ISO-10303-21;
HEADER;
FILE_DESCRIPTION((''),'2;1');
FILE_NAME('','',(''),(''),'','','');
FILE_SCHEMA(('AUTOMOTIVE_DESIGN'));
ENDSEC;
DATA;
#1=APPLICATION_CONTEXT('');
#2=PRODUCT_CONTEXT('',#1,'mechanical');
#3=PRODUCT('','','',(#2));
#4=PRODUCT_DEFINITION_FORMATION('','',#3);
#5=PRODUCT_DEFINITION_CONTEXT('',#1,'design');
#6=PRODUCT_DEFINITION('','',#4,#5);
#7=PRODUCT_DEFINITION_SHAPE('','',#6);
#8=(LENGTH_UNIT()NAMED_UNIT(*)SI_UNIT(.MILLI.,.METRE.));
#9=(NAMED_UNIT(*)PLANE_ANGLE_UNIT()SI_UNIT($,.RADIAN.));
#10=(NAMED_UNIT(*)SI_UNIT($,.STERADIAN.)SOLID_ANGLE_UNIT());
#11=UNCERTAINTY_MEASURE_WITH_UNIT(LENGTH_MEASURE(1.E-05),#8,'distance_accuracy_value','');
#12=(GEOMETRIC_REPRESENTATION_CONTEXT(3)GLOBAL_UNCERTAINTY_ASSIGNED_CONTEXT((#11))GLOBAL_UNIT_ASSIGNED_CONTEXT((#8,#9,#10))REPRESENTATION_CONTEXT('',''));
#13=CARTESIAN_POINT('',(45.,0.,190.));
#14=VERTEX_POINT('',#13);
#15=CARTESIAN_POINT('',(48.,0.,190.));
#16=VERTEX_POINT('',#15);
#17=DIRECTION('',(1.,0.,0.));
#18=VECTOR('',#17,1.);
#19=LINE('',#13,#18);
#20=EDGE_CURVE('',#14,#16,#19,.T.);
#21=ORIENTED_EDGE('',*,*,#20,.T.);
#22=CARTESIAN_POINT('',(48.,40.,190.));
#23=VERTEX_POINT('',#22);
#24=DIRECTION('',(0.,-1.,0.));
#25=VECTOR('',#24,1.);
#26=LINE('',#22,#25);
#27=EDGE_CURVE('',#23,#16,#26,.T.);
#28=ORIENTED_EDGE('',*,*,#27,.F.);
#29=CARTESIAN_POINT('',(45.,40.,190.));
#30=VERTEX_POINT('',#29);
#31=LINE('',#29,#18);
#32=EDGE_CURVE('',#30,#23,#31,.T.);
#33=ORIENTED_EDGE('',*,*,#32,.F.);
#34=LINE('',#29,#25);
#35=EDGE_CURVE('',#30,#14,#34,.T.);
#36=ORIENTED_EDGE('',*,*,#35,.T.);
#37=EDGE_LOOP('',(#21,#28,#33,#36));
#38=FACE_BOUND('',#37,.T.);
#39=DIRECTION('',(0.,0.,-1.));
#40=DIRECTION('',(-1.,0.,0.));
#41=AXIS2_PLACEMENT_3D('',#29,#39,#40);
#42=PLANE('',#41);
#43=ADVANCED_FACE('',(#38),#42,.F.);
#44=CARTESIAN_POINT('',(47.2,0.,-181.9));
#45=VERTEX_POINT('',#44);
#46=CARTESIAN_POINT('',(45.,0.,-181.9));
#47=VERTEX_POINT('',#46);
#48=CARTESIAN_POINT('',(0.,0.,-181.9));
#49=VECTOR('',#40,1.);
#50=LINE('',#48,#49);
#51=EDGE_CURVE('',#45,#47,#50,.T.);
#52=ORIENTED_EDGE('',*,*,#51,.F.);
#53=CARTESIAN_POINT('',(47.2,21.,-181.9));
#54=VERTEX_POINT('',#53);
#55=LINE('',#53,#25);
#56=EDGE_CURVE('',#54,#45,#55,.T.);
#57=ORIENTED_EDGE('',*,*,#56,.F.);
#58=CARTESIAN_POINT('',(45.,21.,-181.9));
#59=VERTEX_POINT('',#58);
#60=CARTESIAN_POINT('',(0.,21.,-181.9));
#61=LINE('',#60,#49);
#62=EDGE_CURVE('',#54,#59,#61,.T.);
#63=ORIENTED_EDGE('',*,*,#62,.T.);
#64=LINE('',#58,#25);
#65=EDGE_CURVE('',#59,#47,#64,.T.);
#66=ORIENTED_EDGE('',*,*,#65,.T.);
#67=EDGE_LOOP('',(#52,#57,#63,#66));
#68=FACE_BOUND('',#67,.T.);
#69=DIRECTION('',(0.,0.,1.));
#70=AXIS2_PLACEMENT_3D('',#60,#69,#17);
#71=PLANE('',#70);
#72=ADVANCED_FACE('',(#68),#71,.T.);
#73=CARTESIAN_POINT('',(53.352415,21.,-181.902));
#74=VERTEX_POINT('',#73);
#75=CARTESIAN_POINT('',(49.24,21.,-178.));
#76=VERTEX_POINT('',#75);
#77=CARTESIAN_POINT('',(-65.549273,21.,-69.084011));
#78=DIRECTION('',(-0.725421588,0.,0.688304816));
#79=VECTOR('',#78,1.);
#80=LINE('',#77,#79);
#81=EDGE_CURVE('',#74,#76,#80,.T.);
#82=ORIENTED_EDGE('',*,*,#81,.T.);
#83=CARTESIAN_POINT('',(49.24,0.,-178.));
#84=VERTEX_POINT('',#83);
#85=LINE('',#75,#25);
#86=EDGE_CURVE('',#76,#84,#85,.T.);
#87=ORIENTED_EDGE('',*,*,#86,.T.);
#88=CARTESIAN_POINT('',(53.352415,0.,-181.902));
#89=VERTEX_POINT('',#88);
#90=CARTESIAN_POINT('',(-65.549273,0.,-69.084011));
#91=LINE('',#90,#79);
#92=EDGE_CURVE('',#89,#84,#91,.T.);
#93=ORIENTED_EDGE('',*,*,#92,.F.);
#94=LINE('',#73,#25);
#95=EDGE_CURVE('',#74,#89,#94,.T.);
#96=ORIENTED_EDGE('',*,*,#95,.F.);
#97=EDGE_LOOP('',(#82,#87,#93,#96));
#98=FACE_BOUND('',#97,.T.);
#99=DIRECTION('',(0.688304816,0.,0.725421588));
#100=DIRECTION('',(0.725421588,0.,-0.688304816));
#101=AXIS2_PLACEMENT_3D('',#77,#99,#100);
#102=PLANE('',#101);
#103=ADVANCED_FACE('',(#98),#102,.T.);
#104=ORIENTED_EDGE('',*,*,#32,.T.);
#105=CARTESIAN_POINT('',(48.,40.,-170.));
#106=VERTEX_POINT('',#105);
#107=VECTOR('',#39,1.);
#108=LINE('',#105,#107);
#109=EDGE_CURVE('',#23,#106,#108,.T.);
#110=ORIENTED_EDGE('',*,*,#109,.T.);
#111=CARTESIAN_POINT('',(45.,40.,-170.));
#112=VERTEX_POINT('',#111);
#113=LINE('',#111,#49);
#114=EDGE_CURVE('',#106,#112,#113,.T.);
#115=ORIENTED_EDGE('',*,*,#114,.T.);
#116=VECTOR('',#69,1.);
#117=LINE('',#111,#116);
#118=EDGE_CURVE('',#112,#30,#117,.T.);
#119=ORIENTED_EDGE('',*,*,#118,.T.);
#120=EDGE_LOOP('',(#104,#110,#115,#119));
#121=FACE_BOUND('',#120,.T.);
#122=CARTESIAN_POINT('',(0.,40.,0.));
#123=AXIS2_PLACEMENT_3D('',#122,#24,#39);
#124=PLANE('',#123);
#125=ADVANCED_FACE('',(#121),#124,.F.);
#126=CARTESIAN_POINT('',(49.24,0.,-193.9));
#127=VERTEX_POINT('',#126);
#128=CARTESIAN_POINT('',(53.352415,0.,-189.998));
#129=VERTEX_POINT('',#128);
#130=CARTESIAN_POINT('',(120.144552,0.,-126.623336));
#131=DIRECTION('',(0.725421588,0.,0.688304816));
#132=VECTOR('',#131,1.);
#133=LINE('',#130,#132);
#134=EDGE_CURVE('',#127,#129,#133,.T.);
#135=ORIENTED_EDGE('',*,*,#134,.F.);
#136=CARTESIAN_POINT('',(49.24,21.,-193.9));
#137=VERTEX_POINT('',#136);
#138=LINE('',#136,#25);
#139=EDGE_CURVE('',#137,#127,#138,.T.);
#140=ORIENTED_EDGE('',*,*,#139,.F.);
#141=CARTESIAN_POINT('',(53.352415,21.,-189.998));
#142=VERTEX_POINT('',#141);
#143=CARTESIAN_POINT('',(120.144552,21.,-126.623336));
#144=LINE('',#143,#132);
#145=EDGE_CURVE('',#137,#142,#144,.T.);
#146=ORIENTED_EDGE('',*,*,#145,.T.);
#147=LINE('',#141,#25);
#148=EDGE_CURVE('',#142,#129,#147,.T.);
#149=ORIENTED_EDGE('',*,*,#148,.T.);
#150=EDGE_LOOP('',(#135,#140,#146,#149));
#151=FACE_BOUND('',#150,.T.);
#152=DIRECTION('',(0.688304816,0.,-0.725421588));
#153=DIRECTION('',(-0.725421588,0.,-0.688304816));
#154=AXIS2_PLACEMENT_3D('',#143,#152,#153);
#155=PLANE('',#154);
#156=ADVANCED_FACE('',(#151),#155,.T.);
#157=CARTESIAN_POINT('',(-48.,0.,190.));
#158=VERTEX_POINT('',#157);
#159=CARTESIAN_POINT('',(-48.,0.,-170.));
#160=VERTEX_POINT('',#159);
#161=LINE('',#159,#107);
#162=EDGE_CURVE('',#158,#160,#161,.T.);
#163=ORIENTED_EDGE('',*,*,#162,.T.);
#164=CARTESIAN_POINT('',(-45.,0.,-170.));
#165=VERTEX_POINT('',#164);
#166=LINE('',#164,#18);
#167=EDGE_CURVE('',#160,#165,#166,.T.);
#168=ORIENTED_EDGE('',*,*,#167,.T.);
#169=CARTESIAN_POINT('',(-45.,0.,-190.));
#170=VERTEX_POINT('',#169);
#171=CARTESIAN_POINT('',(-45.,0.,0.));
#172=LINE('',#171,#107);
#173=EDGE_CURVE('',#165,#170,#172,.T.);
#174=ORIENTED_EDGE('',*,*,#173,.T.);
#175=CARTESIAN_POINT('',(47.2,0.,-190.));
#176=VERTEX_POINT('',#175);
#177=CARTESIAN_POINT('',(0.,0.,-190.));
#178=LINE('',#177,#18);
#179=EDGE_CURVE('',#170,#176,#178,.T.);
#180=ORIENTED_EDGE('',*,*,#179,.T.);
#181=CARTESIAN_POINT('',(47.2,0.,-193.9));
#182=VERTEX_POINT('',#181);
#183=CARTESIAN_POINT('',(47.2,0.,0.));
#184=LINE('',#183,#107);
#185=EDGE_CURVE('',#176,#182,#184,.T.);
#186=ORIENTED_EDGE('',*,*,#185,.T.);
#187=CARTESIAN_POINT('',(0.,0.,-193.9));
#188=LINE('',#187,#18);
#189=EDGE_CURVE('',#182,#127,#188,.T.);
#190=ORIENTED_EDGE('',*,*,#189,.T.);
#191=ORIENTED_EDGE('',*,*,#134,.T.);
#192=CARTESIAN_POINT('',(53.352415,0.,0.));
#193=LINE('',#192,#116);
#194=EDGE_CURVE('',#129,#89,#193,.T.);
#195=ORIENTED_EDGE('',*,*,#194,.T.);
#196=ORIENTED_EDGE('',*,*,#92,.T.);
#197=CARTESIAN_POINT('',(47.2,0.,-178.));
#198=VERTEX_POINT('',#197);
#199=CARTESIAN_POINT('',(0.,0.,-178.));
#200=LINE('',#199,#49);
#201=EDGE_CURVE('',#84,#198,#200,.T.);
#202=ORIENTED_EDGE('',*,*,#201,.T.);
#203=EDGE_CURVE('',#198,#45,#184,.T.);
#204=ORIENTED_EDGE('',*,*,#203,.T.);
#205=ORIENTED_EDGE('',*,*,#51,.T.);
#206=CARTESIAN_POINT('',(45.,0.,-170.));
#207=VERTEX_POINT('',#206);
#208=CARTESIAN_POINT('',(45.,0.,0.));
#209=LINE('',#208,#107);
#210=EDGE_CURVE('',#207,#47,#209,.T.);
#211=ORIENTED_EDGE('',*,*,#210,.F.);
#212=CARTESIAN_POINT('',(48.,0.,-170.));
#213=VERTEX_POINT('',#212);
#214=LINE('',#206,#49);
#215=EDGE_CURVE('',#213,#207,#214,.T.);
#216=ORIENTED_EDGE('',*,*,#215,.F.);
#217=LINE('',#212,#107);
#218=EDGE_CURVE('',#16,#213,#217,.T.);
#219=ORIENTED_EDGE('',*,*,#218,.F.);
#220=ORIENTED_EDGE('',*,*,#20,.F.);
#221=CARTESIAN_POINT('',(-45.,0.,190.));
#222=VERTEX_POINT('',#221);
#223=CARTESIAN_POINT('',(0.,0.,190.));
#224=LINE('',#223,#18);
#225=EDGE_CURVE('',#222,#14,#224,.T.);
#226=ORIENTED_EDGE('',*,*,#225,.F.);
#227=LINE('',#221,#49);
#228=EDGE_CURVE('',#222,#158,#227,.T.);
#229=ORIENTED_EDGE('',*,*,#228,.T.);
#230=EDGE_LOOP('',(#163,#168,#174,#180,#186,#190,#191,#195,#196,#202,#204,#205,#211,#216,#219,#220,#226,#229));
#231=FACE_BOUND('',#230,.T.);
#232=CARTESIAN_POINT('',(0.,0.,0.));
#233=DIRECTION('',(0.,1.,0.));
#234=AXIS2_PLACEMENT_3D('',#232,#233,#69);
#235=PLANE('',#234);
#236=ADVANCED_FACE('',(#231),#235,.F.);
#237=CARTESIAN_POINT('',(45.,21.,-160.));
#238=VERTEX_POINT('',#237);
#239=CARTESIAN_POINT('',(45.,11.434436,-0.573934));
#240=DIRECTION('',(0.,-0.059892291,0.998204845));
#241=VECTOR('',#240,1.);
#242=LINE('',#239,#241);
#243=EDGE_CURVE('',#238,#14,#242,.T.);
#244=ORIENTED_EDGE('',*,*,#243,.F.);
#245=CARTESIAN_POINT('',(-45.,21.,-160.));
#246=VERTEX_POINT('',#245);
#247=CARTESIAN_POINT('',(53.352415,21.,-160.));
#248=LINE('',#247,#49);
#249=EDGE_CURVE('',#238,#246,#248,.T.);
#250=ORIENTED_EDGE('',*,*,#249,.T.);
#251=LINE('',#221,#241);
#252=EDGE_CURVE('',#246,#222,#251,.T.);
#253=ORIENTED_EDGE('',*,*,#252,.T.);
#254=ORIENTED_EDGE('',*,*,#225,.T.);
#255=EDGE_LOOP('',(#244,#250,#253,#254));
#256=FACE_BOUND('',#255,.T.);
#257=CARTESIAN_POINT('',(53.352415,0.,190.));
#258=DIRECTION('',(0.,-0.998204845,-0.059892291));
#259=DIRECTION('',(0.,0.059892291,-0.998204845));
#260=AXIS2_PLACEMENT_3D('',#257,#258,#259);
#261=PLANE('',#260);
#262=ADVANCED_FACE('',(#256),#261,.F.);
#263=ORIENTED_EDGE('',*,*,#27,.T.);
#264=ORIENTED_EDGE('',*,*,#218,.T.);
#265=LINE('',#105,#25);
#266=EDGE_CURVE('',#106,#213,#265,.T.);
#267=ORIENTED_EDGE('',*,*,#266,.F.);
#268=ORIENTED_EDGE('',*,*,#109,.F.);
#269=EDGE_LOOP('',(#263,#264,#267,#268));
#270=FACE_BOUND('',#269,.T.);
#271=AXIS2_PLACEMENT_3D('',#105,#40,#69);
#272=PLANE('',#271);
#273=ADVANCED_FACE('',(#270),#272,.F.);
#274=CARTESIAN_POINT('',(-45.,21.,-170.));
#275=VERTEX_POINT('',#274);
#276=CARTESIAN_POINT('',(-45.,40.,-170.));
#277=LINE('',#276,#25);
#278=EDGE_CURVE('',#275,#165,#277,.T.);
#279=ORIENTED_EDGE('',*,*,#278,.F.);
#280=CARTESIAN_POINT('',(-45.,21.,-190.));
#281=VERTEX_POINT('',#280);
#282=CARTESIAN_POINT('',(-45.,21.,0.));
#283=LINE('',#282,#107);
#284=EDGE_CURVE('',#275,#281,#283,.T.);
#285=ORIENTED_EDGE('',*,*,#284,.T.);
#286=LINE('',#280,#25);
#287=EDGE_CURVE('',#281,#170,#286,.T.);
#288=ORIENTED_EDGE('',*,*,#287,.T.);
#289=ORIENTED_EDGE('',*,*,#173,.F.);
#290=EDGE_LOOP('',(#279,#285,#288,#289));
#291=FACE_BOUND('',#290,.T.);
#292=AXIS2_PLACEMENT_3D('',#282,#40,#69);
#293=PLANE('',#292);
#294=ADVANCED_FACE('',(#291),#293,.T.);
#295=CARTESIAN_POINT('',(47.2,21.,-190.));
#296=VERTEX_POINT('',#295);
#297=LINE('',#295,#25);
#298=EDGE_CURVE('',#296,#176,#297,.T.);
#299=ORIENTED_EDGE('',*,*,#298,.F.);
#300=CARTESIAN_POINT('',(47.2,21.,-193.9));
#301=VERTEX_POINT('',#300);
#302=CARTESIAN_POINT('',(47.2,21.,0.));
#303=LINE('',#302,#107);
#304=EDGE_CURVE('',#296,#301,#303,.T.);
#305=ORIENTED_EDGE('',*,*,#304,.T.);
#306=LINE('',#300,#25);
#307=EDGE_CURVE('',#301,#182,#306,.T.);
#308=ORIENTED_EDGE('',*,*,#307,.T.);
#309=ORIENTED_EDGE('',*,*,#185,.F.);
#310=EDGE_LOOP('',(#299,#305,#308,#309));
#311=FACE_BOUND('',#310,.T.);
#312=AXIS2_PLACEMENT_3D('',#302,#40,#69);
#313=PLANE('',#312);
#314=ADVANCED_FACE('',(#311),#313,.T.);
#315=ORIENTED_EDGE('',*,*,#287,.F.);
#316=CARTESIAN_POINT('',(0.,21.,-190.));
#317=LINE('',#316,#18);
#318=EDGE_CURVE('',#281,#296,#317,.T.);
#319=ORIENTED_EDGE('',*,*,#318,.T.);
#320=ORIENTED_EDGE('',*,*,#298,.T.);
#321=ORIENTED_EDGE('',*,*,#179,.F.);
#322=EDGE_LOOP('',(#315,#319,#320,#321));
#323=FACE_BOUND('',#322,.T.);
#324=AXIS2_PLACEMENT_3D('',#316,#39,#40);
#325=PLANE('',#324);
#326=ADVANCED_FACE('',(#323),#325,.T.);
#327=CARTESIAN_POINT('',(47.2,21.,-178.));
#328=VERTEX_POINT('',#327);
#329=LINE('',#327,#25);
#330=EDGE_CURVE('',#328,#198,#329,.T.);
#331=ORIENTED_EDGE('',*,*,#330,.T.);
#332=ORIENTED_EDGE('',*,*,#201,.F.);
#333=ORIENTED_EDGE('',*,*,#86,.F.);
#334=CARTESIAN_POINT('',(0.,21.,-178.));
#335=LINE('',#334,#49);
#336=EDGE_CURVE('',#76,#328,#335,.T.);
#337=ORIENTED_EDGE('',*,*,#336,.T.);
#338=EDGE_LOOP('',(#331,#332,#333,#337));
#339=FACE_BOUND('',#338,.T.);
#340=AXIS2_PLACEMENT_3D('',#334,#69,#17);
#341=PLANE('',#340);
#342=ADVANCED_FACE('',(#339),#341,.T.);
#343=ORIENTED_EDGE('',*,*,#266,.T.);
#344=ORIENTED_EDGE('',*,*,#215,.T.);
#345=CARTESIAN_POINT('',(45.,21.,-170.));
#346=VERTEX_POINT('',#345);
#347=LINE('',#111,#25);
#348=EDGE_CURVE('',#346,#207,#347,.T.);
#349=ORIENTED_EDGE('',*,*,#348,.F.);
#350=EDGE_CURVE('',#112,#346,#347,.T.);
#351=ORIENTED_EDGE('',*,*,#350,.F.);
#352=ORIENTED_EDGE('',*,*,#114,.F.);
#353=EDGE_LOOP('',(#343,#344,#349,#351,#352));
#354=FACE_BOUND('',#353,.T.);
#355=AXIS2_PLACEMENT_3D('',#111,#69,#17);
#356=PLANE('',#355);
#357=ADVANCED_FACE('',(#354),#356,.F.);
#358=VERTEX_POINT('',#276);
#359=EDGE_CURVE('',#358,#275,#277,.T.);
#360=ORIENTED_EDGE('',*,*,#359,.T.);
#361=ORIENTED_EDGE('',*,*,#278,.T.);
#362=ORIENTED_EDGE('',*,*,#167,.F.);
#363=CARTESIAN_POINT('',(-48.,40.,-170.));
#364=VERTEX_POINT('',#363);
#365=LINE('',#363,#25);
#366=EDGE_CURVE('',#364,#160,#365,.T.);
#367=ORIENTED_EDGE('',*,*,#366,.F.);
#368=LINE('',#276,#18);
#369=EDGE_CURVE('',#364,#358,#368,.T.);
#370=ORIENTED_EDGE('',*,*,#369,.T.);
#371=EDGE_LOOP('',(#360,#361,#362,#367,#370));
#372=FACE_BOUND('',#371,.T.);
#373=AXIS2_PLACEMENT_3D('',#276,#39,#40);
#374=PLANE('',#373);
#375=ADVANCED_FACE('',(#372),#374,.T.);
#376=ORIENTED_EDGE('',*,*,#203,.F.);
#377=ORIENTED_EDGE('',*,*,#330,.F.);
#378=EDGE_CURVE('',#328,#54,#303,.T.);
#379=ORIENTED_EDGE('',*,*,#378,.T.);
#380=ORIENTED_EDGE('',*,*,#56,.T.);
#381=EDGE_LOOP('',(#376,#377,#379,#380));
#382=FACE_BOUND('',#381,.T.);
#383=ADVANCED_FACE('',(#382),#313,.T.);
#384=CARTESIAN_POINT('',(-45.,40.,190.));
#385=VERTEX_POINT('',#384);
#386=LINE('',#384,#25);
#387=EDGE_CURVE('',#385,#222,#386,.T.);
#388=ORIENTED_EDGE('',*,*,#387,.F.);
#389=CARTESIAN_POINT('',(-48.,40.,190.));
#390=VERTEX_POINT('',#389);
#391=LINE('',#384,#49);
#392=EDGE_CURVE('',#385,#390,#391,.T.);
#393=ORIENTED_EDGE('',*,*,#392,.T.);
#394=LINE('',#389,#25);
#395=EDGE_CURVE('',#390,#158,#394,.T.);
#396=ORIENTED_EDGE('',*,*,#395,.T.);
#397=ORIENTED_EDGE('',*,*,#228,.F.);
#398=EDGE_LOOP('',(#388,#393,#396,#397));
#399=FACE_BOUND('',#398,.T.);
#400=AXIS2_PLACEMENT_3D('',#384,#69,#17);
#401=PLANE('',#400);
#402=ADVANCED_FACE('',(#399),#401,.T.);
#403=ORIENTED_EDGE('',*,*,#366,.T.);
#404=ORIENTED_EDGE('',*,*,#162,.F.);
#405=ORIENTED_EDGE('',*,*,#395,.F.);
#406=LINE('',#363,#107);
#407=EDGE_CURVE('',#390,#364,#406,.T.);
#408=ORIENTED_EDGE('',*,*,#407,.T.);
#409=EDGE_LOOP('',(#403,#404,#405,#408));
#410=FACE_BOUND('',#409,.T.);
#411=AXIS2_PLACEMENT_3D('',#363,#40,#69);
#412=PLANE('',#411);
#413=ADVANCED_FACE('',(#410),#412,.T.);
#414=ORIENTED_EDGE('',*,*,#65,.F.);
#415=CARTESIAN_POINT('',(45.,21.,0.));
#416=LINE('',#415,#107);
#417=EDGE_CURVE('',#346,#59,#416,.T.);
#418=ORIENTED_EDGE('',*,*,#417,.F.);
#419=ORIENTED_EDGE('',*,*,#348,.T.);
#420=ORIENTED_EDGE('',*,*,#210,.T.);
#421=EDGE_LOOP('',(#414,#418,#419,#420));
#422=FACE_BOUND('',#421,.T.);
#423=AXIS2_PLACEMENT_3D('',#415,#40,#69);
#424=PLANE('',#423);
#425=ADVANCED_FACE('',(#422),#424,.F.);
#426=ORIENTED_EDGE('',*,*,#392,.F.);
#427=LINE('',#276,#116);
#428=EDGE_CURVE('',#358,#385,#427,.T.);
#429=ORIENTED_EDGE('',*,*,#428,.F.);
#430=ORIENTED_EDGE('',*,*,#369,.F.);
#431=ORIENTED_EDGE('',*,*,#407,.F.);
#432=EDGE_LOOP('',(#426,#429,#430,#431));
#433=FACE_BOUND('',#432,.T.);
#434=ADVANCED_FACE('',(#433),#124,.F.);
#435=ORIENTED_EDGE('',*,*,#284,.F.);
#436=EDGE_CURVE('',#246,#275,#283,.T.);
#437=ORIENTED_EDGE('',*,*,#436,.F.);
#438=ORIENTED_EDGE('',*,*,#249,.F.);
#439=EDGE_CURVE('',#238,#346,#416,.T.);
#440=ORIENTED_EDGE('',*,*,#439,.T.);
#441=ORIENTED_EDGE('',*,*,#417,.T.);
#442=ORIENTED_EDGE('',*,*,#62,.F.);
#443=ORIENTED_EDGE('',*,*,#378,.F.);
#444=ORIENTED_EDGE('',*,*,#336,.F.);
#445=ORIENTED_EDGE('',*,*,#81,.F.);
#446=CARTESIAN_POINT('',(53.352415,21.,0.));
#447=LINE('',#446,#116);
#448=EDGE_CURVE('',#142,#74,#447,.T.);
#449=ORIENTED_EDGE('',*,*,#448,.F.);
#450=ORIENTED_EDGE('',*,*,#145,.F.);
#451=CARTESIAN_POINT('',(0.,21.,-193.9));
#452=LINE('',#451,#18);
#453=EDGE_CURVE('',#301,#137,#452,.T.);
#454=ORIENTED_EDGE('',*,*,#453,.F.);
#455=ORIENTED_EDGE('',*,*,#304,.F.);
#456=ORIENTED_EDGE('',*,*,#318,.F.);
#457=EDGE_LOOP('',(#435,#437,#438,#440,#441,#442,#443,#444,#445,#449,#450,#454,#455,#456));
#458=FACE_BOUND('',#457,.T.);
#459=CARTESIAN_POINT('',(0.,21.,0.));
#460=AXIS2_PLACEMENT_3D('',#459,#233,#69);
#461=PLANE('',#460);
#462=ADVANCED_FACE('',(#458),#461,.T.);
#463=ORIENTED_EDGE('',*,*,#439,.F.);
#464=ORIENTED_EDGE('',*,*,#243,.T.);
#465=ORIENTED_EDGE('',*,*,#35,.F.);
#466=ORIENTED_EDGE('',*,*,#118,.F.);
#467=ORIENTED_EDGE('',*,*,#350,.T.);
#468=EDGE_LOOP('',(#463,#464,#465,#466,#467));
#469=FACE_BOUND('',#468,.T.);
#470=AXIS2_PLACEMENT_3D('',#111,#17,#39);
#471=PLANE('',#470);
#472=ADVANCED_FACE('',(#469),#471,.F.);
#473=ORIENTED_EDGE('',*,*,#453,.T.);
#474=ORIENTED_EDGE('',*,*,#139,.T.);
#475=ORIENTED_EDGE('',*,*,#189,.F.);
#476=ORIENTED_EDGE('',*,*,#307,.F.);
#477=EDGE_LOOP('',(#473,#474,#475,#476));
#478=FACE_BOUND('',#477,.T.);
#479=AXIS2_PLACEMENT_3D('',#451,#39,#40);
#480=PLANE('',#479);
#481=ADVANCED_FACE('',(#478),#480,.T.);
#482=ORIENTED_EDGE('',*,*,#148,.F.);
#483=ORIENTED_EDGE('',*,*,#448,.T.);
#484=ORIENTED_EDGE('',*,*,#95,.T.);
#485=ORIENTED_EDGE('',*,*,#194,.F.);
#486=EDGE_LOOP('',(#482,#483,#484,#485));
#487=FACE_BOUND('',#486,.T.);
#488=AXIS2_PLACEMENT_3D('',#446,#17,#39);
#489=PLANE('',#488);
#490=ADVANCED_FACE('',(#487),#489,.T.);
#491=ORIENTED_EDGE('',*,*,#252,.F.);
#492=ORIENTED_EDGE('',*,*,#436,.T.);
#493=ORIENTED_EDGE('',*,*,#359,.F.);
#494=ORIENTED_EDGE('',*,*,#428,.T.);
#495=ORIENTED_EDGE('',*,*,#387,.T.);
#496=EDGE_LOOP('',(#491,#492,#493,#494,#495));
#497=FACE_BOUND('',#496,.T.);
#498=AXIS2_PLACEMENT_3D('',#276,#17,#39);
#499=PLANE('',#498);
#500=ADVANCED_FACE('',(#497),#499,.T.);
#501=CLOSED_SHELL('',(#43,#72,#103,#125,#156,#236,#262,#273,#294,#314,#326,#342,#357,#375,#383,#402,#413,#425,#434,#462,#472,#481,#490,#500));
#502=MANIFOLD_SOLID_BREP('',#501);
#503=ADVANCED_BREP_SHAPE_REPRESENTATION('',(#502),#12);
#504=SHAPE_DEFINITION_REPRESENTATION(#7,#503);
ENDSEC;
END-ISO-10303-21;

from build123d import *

# Parameters (mm, degrees)
SKETCH1_W           = 90
SKETCH1_H           = 380
SKETCH1_W_2         = 2.2
SKETCH1_H_2         = 8.1
BOSS_EXTRUDE1_DEPTH = 21
CUT_EXTRUDE1_DEPTH  = 99.352414984
SKETCH2_W           = 3
SKETCH2_H           = 360
BOSS_EXTRUDE2_DEPTH = 40


with BuildPart() as part:
    # Sketch1 → Boss-Extrude1 (new body)
    with BuildSketch(Plane(origin=(0, 0, 0), x_dir=(1, 0, 0), z_dir=(0, 1, 0))):
        Rectangle(SKETCH1_W, SKETCH1_H)
        with Locations((46.1, 185.95)):
            Rectangle(SKETCH1_W_2, SKETCH1_H_2)
        Polygon((49.24, 178), (47.2, 178), (47.2, 193.9), (49.24, 193.9), (53.352414984, 189.998), (53.352414984, 181.902), align=None)
    extrude(amount=BOSS_EXTRUDE1_DEPTH)

    # Sketch3 → Cut-Extrude1 (cut, through all)
    with BuildSketch(Plane.ZY.offset(45)):
        Polygon((190, 0), (-160, 21), (190, 21), align=None)
    extrude(amount=-CUT_EXTRUDE1_DEPTH, mode=Mode.SUBTRACT)

    # Sketch2 → Boss-Extrude2 (add)
    with BuildSketch(Plane.XZ):
        with Locations((-46.5, 10)):
            Rectangle(SKETCH2_W, SKETCH2_H)
    boss_extrude2 = extrude(amount=-BOSS_EXTRUDE2_DEPTH)

    # Mirror1: Boss-Extrude2 across plane
    add(boss_extrude2.mirror(Plane(origin=(0, 0, 0), x_dir=(0, 0, 1), z_dir=(1, 0, 0))))


solid = part.part
